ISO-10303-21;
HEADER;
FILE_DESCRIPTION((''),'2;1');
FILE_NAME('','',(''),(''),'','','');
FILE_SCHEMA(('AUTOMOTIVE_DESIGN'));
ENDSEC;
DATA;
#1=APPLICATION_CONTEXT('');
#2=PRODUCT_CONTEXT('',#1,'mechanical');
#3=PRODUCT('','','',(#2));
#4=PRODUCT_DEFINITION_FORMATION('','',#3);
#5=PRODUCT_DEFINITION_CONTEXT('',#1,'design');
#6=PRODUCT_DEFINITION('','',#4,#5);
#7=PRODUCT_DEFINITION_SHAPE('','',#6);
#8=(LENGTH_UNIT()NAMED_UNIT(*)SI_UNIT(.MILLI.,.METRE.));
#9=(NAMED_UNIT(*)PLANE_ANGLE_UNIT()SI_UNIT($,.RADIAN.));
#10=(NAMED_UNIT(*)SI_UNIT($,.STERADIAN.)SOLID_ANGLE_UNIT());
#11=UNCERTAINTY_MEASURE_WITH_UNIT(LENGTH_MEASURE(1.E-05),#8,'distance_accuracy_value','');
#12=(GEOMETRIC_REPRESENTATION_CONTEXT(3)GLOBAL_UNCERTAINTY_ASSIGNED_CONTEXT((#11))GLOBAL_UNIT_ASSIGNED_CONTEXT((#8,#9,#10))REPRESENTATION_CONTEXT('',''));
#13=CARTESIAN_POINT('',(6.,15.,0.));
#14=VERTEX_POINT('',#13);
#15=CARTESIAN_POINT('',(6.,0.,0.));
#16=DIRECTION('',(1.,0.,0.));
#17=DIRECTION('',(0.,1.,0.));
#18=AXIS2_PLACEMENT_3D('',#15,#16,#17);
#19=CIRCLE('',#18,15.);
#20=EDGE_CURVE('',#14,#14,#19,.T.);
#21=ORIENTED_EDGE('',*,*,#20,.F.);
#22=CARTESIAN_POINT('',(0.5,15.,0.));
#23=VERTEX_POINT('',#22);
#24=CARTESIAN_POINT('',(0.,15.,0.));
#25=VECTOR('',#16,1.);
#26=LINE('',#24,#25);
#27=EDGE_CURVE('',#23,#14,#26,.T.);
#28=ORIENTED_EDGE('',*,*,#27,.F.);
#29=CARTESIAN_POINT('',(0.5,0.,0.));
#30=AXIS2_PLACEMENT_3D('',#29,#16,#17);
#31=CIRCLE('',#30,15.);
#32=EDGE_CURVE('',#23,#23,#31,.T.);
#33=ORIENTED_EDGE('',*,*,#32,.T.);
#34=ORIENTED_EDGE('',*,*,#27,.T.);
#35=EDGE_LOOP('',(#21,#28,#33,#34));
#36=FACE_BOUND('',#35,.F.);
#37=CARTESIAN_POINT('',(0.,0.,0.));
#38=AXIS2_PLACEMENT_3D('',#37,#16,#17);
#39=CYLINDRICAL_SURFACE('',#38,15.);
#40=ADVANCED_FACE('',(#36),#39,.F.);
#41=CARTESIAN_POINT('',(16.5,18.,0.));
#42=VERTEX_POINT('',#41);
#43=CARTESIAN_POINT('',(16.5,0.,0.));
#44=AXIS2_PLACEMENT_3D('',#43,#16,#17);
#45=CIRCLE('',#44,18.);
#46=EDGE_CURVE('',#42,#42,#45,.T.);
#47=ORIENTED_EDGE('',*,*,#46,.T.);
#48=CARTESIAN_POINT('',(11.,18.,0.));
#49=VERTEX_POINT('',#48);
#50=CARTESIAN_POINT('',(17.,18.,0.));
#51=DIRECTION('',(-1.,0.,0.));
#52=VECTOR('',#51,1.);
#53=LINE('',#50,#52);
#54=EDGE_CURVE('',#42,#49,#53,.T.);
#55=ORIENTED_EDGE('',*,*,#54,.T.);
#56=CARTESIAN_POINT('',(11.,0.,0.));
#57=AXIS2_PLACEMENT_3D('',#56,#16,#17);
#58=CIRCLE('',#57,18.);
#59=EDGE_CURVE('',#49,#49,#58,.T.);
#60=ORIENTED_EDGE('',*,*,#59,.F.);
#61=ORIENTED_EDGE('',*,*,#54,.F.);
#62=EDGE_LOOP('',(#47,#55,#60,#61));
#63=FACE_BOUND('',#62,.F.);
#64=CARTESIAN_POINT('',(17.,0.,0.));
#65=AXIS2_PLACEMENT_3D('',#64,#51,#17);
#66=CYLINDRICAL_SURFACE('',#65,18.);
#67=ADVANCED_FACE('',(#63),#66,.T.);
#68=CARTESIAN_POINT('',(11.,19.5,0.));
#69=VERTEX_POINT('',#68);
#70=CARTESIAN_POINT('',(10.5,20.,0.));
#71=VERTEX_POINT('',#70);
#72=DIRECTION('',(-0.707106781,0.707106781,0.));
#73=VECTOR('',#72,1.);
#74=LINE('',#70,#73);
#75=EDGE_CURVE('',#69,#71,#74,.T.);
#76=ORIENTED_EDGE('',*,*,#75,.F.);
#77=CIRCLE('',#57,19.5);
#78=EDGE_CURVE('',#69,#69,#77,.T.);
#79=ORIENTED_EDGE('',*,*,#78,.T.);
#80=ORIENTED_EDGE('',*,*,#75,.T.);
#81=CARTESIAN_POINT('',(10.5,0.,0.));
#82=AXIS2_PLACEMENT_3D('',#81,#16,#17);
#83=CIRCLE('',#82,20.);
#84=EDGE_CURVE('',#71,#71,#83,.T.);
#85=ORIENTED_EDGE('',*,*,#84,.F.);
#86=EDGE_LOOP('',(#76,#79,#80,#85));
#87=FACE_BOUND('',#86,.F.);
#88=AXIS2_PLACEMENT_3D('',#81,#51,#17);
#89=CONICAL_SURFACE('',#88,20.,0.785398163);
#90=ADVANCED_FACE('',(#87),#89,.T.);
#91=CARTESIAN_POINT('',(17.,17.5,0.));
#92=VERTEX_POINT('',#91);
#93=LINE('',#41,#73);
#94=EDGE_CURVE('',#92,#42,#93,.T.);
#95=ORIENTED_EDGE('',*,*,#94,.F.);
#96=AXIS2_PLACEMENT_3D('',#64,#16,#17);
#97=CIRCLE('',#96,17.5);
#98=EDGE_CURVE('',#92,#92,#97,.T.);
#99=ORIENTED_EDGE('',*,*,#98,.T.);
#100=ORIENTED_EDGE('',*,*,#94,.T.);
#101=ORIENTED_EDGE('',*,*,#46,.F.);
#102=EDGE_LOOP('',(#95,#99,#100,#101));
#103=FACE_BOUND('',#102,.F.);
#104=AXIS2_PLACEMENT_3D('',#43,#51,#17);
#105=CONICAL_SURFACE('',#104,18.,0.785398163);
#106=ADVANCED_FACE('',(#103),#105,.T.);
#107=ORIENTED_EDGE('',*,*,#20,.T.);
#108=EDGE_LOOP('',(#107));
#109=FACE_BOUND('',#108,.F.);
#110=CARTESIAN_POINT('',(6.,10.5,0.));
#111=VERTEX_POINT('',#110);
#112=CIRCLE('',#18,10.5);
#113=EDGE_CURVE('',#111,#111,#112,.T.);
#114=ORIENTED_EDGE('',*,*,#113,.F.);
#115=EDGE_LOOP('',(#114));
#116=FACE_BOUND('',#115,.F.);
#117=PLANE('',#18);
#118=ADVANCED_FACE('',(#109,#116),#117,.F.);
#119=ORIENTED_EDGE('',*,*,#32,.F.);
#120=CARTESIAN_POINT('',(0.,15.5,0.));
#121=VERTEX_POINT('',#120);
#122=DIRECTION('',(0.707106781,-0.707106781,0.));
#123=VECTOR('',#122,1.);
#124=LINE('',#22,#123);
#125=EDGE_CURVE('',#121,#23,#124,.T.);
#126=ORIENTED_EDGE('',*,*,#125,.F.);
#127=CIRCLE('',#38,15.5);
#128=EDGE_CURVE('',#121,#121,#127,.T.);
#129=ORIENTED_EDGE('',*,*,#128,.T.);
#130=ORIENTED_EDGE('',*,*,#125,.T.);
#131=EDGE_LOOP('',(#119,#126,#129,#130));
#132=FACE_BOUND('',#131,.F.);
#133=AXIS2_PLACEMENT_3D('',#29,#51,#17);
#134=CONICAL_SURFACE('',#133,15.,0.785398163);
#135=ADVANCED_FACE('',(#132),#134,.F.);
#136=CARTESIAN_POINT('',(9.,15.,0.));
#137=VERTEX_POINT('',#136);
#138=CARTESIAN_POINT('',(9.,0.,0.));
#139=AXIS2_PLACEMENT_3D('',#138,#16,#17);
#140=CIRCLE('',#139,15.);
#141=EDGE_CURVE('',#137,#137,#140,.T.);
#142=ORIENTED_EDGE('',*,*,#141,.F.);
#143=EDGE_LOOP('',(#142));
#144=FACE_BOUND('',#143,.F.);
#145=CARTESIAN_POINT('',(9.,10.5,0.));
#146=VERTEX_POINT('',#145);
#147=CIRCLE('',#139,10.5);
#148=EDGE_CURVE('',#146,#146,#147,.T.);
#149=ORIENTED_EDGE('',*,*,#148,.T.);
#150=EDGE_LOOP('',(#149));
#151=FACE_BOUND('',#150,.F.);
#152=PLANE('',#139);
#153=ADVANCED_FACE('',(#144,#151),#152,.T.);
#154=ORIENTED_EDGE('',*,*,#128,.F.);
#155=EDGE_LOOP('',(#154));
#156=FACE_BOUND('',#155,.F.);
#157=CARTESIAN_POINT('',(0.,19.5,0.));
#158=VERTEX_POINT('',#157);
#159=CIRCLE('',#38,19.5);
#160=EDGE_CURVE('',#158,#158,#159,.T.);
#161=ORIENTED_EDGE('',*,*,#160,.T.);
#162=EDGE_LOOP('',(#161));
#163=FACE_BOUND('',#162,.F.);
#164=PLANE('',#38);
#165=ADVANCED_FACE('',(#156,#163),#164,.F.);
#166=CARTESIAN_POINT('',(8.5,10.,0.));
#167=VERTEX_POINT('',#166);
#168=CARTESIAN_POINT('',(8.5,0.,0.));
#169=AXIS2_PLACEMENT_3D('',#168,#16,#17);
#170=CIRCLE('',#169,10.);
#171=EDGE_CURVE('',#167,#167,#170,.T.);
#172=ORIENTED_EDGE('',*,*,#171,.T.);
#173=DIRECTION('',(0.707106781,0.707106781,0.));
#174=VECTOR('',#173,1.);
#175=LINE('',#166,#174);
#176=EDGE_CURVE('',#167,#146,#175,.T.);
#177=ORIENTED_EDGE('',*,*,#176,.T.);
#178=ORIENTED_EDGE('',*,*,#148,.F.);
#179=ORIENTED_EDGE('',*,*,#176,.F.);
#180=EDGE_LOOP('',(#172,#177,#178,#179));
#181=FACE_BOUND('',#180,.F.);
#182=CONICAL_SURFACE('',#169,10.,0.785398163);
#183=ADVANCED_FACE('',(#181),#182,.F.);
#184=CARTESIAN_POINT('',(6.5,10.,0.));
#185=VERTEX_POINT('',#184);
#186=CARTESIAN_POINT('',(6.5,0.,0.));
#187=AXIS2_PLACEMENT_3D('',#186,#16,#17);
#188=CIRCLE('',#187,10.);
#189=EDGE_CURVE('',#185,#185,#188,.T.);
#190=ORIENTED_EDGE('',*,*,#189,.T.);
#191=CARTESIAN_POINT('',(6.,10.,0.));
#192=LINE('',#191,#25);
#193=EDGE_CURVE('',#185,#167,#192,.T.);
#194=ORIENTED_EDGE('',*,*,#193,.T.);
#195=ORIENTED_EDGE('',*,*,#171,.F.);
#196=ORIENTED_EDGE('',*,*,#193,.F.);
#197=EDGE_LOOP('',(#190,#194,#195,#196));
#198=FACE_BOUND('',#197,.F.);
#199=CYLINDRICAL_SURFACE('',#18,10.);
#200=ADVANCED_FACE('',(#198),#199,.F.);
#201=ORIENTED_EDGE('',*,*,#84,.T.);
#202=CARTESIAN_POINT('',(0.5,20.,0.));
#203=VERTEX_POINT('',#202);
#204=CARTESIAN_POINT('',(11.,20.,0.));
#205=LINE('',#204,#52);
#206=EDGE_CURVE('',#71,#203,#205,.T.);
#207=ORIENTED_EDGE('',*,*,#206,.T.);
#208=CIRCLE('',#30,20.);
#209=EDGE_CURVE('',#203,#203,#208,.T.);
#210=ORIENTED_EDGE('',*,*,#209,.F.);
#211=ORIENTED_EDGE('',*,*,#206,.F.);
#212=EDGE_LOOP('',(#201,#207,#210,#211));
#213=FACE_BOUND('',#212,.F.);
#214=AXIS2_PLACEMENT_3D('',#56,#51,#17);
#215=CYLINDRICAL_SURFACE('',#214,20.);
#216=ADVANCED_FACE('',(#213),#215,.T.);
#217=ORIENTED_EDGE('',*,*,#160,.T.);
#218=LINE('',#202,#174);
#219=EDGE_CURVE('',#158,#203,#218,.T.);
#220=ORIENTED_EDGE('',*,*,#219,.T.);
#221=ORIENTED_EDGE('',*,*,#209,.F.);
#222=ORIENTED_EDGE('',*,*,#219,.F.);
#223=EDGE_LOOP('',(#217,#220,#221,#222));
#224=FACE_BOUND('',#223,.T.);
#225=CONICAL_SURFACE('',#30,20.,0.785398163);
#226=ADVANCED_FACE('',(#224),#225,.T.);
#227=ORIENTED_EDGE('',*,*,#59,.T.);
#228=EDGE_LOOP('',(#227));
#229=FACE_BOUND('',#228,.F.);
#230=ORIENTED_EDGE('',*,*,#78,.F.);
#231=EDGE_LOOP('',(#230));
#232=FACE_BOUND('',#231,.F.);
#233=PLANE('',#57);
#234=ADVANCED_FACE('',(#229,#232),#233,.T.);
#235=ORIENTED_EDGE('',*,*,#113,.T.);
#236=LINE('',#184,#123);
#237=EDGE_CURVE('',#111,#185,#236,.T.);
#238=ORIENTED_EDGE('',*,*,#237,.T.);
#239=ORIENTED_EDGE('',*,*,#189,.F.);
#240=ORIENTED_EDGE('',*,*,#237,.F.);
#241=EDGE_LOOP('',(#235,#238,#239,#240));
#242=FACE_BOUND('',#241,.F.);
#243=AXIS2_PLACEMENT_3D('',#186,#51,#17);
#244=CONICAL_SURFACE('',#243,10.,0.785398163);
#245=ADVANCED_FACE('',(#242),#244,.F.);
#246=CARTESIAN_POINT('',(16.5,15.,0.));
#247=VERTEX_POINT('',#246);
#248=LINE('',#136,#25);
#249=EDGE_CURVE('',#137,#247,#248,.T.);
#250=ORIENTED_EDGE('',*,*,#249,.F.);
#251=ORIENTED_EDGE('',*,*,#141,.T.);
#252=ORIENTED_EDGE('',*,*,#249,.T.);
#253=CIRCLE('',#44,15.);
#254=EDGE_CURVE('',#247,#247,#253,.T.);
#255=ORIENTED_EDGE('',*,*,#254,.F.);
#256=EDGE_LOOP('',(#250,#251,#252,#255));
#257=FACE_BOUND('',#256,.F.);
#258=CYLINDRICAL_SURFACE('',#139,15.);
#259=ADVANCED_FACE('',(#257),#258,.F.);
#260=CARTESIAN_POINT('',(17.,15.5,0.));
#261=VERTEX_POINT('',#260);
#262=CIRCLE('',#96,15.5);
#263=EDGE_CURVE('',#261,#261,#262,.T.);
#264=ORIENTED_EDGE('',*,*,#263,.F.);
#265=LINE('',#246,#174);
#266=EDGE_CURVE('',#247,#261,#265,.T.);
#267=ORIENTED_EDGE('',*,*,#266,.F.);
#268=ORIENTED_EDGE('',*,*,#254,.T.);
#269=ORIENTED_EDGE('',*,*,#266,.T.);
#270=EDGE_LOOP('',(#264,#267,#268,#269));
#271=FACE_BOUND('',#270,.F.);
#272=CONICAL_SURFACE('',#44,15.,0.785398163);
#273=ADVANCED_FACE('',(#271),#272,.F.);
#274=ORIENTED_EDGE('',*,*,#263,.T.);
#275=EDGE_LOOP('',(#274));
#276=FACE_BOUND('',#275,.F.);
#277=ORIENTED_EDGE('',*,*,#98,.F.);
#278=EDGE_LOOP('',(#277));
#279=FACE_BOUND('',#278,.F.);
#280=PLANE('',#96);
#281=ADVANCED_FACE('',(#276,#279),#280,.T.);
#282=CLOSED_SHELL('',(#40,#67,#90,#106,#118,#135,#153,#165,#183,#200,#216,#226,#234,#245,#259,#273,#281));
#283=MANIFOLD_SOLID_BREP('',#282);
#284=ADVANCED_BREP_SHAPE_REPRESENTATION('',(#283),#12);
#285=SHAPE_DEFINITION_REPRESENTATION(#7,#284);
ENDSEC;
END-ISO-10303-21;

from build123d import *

# Parameters (mm, degrees)
F2_SIZE2 = 0.5
F2_SIZE  = 0.5


with BuildPart() as f1:
    # F0 (on Top) → F1 (revolve)
    with BuildSketch(Plane.XY):
        Polygon((0, 20), (0, 15), (6, 15), (6, 10), (9, 10), (9, 15), (17, 15), (17, 18), (11, 18), (11, 20), align=None)
    revolve(axis=Axis((8.5, 0, 0), (1, 0, 0)))

    # F2
    f2_edges = [f1.edges().sort_by_distance(p)[0] for p in [
        (0, -20, 0),
        (11, -20, 0),
        (17, -18, 0),
        (0, -15, 0),
        (6, -10, 0),
        (9, -10, 0),
        (17, -15, 0),
    ]]
    chamfer(f2_edges, length=F2_SIZE, length2=F2_SIZE2)


solid = f1.part
